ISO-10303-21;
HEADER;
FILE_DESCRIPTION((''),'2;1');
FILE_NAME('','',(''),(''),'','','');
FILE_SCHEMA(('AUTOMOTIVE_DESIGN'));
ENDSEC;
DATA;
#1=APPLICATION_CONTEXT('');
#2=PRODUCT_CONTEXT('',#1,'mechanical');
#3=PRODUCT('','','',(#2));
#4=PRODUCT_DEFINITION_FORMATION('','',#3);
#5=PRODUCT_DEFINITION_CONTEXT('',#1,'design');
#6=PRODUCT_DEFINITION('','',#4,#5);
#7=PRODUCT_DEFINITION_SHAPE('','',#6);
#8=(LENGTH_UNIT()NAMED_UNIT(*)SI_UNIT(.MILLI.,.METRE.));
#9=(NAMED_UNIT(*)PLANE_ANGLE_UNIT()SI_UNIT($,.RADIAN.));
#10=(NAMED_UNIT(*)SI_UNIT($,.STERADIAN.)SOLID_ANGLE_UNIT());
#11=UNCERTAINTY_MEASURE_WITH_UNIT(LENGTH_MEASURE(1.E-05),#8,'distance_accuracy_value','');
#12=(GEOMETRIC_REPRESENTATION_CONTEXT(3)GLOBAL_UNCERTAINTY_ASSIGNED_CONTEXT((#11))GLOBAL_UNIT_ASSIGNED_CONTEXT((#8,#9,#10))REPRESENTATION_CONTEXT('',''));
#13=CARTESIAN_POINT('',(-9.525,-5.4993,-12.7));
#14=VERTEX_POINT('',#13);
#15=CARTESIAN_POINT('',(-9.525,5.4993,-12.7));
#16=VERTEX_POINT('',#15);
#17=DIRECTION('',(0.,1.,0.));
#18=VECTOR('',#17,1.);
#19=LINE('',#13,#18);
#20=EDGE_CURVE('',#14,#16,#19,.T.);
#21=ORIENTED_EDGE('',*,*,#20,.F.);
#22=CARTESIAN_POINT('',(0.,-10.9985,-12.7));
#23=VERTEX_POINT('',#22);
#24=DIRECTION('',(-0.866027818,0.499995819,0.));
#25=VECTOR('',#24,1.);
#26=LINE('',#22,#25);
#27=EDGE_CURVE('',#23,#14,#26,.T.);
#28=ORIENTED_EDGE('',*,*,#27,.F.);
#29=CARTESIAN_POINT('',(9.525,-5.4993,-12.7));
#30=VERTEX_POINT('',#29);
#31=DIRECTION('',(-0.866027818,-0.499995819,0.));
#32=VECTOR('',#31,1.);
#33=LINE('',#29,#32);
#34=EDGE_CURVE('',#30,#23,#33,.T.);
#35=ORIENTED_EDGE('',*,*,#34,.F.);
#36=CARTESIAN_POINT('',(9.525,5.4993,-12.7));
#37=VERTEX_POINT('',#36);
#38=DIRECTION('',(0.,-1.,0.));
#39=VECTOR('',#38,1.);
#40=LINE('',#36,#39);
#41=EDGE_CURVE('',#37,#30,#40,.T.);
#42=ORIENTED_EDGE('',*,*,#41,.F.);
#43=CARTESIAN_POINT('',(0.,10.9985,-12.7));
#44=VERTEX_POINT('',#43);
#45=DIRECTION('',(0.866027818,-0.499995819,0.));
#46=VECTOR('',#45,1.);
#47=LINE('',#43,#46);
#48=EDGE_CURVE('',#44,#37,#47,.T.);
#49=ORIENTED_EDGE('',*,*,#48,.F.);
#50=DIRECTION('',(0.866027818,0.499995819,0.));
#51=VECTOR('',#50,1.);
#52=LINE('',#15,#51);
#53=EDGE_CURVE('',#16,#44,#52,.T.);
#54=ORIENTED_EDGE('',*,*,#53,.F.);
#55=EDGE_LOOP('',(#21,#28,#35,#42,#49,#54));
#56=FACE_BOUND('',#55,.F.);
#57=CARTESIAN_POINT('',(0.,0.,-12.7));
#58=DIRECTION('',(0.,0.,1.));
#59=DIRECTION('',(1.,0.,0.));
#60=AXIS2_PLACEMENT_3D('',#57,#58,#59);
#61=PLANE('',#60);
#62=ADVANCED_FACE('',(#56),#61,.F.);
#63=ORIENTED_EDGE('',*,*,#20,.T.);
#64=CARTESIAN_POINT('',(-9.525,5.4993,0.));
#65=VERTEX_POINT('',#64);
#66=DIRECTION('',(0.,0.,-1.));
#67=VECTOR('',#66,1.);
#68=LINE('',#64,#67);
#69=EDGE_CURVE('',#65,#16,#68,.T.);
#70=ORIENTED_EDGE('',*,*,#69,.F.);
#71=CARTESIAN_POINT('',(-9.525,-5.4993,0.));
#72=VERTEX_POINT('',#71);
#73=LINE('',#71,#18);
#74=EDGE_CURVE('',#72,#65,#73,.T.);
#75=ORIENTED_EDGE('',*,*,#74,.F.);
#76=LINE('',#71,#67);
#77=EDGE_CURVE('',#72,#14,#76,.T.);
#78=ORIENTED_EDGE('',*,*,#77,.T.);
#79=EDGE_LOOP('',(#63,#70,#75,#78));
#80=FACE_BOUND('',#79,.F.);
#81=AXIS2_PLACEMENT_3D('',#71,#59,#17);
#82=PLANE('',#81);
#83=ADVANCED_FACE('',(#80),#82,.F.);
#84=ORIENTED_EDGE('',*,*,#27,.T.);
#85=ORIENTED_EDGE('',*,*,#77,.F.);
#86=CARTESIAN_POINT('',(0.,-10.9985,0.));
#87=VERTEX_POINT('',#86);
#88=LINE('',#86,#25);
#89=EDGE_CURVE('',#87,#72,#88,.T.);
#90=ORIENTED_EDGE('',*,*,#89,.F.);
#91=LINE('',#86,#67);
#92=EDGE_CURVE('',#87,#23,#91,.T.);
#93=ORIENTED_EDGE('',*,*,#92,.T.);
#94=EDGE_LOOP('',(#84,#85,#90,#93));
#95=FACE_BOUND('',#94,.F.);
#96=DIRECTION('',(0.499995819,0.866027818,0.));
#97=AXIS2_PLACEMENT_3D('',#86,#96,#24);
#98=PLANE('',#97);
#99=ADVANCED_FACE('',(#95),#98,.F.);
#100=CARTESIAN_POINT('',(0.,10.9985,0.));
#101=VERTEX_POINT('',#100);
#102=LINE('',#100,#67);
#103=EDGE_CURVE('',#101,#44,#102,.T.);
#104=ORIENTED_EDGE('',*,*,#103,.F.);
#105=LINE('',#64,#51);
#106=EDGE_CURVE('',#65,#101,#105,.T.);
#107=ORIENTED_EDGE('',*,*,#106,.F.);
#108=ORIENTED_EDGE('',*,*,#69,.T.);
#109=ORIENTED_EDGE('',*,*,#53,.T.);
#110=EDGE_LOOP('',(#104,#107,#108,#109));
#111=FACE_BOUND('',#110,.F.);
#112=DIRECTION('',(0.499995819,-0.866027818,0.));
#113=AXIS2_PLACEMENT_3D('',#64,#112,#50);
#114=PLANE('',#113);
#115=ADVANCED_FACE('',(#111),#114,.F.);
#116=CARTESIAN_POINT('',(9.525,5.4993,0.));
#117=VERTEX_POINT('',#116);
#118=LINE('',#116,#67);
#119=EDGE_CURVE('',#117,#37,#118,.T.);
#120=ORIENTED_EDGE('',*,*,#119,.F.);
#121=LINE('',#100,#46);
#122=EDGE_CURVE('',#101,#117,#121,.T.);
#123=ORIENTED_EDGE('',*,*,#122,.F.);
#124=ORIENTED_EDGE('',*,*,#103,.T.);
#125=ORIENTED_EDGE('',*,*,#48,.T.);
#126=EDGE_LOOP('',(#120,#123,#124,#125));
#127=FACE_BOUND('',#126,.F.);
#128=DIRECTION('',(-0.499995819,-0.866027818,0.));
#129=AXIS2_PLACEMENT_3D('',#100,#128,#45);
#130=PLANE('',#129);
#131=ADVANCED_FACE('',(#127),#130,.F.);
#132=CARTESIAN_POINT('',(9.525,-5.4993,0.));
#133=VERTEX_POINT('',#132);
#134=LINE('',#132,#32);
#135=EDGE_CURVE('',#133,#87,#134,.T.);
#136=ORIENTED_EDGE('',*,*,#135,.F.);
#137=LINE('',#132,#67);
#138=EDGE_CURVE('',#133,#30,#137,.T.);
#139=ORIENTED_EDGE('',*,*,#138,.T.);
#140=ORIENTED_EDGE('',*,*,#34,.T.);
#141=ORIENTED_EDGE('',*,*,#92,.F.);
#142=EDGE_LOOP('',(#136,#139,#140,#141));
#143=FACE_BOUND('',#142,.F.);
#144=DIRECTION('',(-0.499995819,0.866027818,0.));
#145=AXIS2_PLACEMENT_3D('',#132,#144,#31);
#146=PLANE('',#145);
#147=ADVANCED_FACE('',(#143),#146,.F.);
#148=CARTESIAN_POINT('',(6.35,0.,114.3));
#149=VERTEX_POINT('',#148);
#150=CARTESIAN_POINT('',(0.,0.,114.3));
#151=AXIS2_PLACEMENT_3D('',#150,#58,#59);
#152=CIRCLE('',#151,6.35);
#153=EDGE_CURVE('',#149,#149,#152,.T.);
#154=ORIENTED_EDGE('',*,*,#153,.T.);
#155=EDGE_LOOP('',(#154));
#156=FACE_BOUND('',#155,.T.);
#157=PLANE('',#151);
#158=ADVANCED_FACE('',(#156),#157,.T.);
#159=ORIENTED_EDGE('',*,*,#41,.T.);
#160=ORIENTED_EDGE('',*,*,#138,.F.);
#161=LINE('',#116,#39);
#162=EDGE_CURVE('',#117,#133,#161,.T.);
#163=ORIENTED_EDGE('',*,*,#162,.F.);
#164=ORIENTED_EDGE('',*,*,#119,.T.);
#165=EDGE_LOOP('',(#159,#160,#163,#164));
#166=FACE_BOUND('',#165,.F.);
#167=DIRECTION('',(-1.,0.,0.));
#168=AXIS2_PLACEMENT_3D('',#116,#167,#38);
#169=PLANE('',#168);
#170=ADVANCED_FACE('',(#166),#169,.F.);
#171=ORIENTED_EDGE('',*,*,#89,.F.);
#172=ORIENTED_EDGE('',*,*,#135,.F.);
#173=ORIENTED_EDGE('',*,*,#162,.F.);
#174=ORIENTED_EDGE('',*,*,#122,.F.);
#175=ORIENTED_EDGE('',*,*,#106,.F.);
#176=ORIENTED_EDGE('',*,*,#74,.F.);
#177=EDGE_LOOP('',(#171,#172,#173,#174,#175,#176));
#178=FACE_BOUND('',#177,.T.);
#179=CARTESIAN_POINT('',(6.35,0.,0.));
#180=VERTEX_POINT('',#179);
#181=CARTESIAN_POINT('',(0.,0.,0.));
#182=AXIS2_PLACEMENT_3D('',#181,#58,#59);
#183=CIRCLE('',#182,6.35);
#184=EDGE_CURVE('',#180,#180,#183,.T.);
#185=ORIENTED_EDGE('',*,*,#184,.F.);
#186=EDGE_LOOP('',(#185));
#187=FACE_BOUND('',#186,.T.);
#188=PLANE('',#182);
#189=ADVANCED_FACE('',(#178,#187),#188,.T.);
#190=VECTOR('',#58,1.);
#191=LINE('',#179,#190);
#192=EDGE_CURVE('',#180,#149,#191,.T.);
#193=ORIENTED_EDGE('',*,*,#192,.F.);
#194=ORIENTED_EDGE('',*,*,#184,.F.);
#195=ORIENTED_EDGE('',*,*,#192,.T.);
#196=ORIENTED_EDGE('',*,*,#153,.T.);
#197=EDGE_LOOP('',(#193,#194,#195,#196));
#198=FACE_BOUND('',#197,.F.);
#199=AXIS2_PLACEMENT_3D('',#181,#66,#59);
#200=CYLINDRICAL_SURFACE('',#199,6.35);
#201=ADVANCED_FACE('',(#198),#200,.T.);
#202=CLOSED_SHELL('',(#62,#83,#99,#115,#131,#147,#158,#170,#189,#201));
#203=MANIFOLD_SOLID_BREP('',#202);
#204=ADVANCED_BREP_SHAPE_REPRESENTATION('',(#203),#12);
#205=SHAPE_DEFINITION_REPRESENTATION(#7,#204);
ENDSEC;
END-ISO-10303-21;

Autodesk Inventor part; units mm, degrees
ref_plane "YZ Plane" through (0, 0, 0) normal (1, 0, 0) x (0, 1, 0)
ref_plane "XZ Plane" through (0, 0, 0) normal (0, 1, 0) x (-1, 0, 0)
ref_plane "XY Plane" through (0, 0, 0) normal (0, 0, 1) x (1, 0, 0)
sketch "Sketch1" plane through (0, 0, 0) normal (0, 0, 1) x (1, 0, 0)
  circle A0 centre (0, 0) radius 6.35
  line L0 (0, 10.9985) -> (9.525, 5.4993)
  line L1 (9.525, 5.4993) -> (9.525, -5.4993)
  line L2 (9.525, -5.4993) -> (0, -10.9985)
  line L3 (0, -10.9985) -> (-9.525, -5.4993)
  line L4 (-9.525, -5.4993) -> (-9.525, 5.4993)
  line L5 (-9.525, 5.4993) -> (0, 10.9985)
  dimension "d1" = 19.05
extrude "Extrusion1" add sketch "Sketch1" against normal blind 12.7 contours A0 | L0 L1 L2 L3 L4 L5
sketch "Sketch2" plane through (0, 0, 0) normal (0, 0, 1) x (1, 0, 0)
  circle A0 centre (0, 0) radius 6.35
  dimension "d4" = 12.7
extrude "Extrusion2" add sketch "Sketch2" along normal blind 114.3
thread "Thread1" size "1/2-13 UNC" class "2A" standard "ANSI Unified Screw Threads" full length
properties part number "4 in bolt"
